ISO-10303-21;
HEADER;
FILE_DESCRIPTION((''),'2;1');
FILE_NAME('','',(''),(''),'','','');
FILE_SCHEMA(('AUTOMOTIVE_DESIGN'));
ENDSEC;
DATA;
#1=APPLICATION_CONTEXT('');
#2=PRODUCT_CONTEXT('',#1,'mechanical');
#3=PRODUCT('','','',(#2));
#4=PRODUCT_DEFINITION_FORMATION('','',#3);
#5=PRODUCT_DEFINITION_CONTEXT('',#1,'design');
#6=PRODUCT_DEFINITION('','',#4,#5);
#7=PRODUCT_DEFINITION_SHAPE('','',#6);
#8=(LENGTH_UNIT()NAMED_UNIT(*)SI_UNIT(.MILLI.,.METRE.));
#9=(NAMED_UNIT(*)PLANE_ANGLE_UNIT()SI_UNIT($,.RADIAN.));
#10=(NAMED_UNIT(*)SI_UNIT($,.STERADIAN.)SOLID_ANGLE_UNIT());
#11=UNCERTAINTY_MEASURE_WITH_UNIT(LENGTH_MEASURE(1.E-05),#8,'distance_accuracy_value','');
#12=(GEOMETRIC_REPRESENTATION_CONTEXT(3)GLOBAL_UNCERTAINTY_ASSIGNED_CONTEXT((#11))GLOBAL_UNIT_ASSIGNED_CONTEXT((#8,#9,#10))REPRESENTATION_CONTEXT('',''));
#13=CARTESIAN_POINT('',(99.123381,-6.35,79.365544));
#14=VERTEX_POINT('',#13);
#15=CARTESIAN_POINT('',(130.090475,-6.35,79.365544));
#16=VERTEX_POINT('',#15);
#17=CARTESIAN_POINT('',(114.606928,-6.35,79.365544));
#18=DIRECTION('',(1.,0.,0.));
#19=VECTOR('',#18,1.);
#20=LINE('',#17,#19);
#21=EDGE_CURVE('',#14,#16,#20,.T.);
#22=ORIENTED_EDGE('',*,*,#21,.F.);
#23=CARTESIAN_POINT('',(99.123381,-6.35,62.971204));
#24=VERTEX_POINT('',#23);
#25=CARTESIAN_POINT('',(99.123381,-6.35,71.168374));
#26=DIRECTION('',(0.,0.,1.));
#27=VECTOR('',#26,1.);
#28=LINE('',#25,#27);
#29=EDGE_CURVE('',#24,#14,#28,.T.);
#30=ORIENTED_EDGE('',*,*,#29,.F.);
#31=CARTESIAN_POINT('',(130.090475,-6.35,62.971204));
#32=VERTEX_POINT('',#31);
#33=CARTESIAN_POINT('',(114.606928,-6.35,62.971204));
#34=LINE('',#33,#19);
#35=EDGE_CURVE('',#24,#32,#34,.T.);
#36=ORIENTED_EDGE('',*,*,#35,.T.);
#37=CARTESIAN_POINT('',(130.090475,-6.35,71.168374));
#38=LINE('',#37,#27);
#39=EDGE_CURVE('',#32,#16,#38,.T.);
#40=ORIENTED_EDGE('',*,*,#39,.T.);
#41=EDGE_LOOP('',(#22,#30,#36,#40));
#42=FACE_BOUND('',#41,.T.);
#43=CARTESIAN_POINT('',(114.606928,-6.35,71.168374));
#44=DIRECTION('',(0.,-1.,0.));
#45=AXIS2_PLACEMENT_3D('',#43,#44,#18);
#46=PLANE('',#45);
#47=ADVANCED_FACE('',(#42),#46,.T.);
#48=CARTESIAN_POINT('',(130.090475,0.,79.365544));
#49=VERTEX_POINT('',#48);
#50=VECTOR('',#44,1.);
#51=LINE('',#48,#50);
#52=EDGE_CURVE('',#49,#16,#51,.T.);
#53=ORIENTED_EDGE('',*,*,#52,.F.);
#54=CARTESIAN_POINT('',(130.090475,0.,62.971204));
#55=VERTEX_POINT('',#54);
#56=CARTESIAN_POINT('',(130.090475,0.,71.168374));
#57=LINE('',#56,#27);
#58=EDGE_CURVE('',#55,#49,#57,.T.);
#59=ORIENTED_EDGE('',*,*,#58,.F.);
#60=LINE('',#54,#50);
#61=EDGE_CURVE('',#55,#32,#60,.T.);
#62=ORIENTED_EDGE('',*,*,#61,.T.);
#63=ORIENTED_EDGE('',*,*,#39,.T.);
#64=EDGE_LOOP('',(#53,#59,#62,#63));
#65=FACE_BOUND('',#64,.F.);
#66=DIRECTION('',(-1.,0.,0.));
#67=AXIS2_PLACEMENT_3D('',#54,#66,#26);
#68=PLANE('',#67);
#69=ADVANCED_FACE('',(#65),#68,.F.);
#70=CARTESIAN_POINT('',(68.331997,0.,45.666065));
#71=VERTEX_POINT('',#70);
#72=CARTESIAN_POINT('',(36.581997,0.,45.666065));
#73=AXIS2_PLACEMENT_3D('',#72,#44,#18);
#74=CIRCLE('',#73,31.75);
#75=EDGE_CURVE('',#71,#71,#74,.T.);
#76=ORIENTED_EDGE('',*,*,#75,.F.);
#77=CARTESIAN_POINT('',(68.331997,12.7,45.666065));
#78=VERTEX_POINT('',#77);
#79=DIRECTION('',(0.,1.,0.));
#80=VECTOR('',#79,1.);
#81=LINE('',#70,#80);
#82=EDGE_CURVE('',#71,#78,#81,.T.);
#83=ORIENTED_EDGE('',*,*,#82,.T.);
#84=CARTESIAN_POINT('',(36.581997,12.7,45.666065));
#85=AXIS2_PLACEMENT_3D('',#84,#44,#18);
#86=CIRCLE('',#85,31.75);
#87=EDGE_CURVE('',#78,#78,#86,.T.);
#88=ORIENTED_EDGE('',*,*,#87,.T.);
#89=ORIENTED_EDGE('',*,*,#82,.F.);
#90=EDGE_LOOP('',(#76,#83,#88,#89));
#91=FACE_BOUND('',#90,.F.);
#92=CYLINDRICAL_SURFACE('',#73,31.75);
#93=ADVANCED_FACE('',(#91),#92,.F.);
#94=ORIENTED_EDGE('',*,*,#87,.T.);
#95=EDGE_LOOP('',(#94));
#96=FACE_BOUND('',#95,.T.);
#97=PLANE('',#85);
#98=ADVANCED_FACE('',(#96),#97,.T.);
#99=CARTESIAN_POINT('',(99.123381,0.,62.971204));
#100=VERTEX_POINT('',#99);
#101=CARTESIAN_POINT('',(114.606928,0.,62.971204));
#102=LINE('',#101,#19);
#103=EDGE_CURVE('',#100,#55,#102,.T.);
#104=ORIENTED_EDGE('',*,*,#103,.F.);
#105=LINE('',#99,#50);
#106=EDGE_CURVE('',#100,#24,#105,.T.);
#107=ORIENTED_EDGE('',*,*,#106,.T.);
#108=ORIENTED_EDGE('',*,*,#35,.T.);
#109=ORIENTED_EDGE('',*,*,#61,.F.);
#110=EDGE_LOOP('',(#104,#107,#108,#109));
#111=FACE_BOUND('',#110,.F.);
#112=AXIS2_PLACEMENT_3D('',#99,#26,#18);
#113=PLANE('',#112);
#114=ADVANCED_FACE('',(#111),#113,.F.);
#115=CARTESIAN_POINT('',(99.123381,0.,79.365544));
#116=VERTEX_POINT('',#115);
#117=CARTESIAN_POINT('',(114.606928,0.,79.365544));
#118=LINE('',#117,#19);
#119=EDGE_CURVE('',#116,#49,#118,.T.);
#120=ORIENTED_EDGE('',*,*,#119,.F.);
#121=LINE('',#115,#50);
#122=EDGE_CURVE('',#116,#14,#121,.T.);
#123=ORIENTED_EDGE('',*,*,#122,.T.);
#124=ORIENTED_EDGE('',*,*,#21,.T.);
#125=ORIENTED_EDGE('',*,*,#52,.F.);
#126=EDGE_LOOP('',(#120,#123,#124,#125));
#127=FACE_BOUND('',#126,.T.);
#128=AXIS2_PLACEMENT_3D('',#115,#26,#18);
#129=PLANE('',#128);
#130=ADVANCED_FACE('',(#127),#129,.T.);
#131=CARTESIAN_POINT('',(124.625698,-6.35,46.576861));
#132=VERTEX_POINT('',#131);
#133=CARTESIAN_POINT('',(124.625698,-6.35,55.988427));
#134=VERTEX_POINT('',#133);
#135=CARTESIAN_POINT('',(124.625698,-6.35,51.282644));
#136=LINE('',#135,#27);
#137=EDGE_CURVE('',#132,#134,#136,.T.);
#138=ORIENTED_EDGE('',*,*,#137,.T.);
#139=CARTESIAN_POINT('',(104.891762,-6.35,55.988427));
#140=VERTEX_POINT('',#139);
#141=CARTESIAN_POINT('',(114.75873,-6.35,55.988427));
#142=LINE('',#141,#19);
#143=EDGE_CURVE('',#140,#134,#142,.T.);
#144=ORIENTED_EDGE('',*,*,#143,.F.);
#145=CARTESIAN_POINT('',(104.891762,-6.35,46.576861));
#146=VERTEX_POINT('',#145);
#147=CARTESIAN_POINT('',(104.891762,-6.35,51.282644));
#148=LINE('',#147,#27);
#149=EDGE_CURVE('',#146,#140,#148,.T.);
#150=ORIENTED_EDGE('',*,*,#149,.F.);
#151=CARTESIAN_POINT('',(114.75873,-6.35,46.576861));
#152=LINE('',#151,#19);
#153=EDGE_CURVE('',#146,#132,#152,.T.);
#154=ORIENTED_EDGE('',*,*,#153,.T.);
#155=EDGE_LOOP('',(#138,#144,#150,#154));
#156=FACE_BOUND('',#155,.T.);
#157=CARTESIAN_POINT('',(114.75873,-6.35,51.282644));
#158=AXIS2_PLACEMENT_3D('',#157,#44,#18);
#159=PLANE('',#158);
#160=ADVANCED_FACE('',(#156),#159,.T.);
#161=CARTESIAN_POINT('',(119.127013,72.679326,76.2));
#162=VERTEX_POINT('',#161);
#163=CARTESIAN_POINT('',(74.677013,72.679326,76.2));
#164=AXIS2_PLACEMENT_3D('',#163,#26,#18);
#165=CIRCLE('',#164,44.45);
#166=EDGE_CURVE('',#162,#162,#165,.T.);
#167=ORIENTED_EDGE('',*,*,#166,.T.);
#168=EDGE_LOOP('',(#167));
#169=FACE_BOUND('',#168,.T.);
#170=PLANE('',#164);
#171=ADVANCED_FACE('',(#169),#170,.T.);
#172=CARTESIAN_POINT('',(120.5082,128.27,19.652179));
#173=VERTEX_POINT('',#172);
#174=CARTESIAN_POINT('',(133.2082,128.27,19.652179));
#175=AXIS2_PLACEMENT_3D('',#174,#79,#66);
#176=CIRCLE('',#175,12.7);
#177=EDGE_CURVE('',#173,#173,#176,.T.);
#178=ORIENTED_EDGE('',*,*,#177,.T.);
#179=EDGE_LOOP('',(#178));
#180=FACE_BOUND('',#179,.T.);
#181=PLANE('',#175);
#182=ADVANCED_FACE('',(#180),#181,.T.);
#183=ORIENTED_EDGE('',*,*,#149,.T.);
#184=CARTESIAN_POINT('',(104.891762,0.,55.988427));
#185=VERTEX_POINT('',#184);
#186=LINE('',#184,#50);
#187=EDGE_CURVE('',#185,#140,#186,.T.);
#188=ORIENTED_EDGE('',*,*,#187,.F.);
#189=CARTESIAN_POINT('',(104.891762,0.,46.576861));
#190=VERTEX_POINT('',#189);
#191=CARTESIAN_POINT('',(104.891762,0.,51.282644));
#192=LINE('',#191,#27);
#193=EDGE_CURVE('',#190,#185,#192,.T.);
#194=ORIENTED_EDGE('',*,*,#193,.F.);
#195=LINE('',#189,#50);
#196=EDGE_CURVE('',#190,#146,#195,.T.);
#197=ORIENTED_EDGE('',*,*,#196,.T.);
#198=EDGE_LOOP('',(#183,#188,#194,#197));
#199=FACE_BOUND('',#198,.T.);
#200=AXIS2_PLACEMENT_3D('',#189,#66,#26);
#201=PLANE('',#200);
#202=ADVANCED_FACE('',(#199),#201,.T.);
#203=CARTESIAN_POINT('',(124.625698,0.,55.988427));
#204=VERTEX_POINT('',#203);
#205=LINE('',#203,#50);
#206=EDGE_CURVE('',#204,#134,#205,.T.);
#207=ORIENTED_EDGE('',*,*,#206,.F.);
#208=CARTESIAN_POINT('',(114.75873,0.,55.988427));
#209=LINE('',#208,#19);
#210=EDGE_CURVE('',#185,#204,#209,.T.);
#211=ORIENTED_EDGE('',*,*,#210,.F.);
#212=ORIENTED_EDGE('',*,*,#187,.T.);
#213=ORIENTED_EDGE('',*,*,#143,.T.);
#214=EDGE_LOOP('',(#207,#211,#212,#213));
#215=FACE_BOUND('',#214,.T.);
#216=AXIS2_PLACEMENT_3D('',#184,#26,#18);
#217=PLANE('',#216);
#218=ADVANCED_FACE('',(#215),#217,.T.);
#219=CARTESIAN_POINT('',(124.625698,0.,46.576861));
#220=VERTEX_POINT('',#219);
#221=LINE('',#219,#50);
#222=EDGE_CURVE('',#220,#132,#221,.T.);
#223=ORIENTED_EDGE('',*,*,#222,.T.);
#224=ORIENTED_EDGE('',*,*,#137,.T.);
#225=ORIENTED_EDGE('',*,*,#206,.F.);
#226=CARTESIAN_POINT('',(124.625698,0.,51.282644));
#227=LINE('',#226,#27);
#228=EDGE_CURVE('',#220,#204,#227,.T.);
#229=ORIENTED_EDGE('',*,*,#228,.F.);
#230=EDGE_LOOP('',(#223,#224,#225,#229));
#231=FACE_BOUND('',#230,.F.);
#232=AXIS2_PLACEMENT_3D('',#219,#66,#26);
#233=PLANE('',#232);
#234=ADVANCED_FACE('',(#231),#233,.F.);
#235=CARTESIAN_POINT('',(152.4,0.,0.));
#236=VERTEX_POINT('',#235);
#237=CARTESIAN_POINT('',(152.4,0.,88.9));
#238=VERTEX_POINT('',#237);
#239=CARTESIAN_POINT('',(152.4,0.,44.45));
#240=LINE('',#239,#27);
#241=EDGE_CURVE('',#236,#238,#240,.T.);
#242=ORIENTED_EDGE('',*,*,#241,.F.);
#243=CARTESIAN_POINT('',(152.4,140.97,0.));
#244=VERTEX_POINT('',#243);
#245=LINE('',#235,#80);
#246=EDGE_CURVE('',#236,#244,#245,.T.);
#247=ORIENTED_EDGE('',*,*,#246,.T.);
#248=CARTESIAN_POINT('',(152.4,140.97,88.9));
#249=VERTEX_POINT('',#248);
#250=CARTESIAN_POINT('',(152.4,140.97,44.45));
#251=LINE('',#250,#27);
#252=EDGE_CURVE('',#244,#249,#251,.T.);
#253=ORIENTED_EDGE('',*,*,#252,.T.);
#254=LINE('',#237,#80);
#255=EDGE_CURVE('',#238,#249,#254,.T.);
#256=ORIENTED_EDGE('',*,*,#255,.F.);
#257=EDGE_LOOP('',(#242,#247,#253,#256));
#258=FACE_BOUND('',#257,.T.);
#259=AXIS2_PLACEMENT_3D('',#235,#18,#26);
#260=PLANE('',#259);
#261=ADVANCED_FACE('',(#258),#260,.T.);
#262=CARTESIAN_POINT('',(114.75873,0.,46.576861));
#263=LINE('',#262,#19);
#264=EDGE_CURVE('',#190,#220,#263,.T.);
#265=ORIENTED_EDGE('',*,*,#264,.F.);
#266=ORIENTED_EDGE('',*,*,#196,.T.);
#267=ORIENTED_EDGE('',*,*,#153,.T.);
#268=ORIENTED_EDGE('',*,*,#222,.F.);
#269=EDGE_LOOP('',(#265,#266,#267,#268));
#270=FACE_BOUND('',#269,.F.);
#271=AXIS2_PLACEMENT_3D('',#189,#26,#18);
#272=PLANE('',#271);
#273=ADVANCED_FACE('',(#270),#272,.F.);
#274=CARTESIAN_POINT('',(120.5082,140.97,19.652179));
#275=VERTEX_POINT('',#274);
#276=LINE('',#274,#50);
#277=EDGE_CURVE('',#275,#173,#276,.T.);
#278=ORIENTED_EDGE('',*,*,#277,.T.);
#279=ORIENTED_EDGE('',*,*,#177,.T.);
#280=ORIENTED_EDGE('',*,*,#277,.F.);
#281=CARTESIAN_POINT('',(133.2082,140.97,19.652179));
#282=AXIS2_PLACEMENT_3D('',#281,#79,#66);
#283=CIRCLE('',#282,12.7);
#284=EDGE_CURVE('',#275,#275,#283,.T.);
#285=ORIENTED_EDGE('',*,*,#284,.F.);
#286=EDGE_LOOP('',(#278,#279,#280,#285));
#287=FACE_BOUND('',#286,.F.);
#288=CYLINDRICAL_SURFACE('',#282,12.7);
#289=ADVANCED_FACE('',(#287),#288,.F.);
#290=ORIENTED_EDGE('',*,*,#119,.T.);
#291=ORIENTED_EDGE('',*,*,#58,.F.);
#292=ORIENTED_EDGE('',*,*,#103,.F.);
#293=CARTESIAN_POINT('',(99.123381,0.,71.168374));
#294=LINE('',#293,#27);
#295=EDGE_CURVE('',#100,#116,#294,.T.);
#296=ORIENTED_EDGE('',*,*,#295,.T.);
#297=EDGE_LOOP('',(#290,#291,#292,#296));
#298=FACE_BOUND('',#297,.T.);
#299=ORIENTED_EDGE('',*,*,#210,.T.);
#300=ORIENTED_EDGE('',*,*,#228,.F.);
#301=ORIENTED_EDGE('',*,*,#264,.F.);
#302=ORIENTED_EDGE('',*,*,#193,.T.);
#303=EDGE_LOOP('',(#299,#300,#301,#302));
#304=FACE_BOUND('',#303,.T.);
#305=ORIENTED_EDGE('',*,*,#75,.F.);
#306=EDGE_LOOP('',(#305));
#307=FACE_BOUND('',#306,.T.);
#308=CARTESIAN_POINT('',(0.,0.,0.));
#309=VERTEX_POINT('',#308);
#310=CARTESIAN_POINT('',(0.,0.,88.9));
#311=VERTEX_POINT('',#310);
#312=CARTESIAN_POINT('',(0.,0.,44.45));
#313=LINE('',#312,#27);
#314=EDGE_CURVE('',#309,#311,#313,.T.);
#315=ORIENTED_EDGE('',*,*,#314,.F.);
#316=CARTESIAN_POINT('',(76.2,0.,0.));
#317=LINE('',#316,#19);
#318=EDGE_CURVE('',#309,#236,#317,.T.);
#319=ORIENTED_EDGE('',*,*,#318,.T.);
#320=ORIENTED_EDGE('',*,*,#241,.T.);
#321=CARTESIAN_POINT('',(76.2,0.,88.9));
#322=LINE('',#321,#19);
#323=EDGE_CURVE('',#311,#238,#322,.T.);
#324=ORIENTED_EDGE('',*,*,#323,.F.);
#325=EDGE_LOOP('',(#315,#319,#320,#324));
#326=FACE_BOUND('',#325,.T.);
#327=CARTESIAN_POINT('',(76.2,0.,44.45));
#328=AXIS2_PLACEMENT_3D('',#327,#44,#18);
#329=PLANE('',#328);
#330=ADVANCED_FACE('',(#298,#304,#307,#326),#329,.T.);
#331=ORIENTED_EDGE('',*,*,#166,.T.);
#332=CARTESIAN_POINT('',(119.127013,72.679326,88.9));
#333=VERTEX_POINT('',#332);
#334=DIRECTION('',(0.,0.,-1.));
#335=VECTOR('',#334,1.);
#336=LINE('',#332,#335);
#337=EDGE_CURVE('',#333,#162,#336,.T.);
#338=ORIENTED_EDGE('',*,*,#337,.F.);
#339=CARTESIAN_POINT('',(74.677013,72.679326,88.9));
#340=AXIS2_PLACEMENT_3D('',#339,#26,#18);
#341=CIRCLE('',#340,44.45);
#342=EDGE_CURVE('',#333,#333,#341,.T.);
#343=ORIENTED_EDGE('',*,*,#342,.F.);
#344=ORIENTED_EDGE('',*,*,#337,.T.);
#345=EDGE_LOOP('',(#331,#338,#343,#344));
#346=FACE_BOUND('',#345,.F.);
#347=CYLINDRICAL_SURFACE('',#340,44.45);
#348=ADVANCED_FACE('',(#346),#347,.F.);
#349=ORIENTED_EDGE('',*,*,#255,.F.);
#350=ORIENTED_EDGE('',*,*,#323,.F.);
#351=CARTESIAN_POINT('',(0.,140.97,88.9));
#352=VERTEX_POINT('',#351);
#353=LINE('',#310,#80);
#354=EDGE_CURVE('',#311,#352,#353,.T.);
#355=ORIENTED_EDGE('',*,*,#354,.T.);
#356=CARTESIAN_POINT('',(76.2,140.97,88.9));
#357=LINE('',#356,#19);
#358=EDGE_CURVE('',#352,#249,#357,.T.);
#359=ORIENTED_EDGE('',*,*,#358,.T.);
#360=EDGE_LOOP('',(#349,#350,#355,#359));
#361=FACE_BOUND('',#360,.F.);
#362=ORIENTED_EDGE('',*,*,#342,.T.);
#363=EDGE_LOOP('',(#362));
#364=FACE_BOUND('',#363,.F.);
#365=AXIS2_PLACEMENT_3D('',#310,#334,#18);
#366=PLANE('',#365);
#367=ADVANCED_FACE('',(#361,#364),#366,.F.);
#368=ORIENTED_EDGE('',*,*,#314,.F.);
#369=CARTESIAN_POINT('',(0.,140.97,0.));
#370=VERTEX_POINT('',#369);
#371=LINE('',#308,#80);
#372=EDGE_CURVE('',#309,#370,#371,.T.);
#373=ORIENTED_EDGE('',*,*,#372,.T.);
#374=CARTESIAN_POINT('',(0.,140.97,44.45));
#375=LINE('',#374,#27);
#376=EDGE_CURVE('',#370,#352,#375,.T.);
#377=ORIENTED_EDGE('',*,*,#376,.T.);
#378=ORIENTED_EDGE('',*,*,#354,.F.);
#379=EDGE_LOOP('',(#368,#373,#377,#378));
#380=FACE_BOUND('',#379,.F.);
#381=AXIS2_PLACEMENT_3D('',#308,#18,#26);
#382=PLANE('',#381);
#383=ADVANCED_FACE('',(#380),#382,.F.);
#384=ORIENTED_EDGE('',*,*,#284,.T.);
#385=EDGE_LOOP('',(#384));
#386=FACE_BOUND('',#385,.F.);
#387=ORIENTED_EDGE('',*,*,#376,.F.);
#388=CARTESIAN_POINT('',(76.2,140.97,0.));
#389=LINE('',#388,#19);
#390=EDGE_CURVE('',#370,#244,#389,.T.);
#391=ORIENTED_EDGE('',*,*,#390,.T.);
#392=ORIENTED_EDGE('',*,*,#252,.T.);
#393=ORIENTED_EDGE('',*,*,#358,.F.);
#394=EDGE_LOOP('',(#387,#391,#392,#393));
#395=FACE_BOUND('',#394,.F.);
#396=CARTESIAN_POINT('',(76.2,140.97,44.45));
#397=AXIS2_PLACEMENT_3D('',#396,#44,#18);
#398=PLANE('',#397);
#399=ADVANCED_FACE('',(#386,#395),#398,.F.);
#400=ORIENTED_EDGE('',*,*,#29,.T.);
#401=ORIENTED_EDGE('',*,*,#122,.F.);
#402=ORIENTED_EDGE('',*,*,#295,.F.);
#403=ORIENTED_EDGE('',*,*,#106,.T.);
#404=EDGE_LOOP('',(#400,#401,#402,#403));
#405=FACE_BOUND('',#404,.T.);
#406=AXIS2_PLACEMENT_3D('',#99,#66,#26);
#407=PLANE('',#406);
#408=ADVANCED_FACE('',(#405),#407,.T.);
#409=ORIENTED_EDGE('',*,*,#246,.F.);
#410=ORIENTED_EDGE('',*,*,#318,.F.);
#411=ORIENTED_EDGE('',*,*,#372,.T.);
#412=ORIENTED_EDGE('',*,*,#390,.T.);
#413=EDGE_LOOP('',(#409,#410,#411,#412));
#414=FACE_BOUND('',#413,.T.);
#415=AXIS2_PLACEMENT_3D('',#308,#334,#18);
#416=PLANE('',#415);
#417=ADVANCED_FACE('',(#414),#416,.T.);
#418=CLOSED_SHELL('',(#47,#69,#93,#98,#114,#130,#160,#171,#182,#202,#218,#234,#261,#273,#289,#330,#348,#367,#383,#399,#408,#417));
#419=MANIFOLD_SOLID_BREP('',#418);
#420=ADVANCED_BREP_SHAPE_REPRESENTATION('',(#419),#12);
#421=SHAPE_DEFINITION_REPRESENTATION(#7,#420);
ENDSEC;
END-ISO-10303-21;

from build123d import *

# Parameters (mm, degrees)
F0_W     = 152.4
F0_H     = 88.9
F1_DEPTH = 140.97
F2_R     = 12.7
F3_DEPTH = 12.7
F4_R     = 44.45
F5_DEPTH = 12.7
F6_R     = 31.75
F7_DEPTH = 12.7
F6_W     = 30.967094
F6_H     = 16.394339
F6_W_2   = 19.733936
F6_H_2   = 9.411566
F8_DEPTH = 6.35


with BuildPart() as f1:
    # F0 (on Front) → F1 (new body)
    with BuildSketch(Plane.XZ):
        with Locations((76.2, 44.45)):
            Rectangle(F0_W, F0_H)
    extrude(amount=-F1_DEPTH)

    # F2 (on face) → F3 (cut)
    with BuildSketch(Plane(origin=(0, 140.97, 0), x_dir=(-1, 0, 0), z_dir=(0, 1, 0))):
        with Locations((-133.2082, 19.652179)):
            Circle(F2_R)
    extrude(amount=-F3_DEPTH, mode=Mode.SUBTRACT)

    # F4 (on face) → F5 (cut)
    with BuildSketch(Plane.XY.offset(88.9)):
        with Locations((74.677013, 72.679326)):
            Circle(F4_R)
    extrude(amount=-F5_DEPTH, mode=Mode.SUBTRACT)

    # F6 (on face) → F7 (cut)
    with BuildSketch(Plane.XZ):
        with Locations((36.581997, 45.666065)):
            Circle(F6_R)
    extrude(amount=-F7_DEPTH, mode=Mode.SUBTRACT)

    # F6 (on face) → F8 (join)
    with BuildSketch(Plane.XZ):
        with Locations((114.606928, 71.168374)):
            Rectangle(F6_W, F6_H)
        with Locations((114.75873, 51.282644)):
            Rectangle(F6_W_2, F6_H_2)
    extrude(amount=F8_DEPTH)


solid = f1.part
